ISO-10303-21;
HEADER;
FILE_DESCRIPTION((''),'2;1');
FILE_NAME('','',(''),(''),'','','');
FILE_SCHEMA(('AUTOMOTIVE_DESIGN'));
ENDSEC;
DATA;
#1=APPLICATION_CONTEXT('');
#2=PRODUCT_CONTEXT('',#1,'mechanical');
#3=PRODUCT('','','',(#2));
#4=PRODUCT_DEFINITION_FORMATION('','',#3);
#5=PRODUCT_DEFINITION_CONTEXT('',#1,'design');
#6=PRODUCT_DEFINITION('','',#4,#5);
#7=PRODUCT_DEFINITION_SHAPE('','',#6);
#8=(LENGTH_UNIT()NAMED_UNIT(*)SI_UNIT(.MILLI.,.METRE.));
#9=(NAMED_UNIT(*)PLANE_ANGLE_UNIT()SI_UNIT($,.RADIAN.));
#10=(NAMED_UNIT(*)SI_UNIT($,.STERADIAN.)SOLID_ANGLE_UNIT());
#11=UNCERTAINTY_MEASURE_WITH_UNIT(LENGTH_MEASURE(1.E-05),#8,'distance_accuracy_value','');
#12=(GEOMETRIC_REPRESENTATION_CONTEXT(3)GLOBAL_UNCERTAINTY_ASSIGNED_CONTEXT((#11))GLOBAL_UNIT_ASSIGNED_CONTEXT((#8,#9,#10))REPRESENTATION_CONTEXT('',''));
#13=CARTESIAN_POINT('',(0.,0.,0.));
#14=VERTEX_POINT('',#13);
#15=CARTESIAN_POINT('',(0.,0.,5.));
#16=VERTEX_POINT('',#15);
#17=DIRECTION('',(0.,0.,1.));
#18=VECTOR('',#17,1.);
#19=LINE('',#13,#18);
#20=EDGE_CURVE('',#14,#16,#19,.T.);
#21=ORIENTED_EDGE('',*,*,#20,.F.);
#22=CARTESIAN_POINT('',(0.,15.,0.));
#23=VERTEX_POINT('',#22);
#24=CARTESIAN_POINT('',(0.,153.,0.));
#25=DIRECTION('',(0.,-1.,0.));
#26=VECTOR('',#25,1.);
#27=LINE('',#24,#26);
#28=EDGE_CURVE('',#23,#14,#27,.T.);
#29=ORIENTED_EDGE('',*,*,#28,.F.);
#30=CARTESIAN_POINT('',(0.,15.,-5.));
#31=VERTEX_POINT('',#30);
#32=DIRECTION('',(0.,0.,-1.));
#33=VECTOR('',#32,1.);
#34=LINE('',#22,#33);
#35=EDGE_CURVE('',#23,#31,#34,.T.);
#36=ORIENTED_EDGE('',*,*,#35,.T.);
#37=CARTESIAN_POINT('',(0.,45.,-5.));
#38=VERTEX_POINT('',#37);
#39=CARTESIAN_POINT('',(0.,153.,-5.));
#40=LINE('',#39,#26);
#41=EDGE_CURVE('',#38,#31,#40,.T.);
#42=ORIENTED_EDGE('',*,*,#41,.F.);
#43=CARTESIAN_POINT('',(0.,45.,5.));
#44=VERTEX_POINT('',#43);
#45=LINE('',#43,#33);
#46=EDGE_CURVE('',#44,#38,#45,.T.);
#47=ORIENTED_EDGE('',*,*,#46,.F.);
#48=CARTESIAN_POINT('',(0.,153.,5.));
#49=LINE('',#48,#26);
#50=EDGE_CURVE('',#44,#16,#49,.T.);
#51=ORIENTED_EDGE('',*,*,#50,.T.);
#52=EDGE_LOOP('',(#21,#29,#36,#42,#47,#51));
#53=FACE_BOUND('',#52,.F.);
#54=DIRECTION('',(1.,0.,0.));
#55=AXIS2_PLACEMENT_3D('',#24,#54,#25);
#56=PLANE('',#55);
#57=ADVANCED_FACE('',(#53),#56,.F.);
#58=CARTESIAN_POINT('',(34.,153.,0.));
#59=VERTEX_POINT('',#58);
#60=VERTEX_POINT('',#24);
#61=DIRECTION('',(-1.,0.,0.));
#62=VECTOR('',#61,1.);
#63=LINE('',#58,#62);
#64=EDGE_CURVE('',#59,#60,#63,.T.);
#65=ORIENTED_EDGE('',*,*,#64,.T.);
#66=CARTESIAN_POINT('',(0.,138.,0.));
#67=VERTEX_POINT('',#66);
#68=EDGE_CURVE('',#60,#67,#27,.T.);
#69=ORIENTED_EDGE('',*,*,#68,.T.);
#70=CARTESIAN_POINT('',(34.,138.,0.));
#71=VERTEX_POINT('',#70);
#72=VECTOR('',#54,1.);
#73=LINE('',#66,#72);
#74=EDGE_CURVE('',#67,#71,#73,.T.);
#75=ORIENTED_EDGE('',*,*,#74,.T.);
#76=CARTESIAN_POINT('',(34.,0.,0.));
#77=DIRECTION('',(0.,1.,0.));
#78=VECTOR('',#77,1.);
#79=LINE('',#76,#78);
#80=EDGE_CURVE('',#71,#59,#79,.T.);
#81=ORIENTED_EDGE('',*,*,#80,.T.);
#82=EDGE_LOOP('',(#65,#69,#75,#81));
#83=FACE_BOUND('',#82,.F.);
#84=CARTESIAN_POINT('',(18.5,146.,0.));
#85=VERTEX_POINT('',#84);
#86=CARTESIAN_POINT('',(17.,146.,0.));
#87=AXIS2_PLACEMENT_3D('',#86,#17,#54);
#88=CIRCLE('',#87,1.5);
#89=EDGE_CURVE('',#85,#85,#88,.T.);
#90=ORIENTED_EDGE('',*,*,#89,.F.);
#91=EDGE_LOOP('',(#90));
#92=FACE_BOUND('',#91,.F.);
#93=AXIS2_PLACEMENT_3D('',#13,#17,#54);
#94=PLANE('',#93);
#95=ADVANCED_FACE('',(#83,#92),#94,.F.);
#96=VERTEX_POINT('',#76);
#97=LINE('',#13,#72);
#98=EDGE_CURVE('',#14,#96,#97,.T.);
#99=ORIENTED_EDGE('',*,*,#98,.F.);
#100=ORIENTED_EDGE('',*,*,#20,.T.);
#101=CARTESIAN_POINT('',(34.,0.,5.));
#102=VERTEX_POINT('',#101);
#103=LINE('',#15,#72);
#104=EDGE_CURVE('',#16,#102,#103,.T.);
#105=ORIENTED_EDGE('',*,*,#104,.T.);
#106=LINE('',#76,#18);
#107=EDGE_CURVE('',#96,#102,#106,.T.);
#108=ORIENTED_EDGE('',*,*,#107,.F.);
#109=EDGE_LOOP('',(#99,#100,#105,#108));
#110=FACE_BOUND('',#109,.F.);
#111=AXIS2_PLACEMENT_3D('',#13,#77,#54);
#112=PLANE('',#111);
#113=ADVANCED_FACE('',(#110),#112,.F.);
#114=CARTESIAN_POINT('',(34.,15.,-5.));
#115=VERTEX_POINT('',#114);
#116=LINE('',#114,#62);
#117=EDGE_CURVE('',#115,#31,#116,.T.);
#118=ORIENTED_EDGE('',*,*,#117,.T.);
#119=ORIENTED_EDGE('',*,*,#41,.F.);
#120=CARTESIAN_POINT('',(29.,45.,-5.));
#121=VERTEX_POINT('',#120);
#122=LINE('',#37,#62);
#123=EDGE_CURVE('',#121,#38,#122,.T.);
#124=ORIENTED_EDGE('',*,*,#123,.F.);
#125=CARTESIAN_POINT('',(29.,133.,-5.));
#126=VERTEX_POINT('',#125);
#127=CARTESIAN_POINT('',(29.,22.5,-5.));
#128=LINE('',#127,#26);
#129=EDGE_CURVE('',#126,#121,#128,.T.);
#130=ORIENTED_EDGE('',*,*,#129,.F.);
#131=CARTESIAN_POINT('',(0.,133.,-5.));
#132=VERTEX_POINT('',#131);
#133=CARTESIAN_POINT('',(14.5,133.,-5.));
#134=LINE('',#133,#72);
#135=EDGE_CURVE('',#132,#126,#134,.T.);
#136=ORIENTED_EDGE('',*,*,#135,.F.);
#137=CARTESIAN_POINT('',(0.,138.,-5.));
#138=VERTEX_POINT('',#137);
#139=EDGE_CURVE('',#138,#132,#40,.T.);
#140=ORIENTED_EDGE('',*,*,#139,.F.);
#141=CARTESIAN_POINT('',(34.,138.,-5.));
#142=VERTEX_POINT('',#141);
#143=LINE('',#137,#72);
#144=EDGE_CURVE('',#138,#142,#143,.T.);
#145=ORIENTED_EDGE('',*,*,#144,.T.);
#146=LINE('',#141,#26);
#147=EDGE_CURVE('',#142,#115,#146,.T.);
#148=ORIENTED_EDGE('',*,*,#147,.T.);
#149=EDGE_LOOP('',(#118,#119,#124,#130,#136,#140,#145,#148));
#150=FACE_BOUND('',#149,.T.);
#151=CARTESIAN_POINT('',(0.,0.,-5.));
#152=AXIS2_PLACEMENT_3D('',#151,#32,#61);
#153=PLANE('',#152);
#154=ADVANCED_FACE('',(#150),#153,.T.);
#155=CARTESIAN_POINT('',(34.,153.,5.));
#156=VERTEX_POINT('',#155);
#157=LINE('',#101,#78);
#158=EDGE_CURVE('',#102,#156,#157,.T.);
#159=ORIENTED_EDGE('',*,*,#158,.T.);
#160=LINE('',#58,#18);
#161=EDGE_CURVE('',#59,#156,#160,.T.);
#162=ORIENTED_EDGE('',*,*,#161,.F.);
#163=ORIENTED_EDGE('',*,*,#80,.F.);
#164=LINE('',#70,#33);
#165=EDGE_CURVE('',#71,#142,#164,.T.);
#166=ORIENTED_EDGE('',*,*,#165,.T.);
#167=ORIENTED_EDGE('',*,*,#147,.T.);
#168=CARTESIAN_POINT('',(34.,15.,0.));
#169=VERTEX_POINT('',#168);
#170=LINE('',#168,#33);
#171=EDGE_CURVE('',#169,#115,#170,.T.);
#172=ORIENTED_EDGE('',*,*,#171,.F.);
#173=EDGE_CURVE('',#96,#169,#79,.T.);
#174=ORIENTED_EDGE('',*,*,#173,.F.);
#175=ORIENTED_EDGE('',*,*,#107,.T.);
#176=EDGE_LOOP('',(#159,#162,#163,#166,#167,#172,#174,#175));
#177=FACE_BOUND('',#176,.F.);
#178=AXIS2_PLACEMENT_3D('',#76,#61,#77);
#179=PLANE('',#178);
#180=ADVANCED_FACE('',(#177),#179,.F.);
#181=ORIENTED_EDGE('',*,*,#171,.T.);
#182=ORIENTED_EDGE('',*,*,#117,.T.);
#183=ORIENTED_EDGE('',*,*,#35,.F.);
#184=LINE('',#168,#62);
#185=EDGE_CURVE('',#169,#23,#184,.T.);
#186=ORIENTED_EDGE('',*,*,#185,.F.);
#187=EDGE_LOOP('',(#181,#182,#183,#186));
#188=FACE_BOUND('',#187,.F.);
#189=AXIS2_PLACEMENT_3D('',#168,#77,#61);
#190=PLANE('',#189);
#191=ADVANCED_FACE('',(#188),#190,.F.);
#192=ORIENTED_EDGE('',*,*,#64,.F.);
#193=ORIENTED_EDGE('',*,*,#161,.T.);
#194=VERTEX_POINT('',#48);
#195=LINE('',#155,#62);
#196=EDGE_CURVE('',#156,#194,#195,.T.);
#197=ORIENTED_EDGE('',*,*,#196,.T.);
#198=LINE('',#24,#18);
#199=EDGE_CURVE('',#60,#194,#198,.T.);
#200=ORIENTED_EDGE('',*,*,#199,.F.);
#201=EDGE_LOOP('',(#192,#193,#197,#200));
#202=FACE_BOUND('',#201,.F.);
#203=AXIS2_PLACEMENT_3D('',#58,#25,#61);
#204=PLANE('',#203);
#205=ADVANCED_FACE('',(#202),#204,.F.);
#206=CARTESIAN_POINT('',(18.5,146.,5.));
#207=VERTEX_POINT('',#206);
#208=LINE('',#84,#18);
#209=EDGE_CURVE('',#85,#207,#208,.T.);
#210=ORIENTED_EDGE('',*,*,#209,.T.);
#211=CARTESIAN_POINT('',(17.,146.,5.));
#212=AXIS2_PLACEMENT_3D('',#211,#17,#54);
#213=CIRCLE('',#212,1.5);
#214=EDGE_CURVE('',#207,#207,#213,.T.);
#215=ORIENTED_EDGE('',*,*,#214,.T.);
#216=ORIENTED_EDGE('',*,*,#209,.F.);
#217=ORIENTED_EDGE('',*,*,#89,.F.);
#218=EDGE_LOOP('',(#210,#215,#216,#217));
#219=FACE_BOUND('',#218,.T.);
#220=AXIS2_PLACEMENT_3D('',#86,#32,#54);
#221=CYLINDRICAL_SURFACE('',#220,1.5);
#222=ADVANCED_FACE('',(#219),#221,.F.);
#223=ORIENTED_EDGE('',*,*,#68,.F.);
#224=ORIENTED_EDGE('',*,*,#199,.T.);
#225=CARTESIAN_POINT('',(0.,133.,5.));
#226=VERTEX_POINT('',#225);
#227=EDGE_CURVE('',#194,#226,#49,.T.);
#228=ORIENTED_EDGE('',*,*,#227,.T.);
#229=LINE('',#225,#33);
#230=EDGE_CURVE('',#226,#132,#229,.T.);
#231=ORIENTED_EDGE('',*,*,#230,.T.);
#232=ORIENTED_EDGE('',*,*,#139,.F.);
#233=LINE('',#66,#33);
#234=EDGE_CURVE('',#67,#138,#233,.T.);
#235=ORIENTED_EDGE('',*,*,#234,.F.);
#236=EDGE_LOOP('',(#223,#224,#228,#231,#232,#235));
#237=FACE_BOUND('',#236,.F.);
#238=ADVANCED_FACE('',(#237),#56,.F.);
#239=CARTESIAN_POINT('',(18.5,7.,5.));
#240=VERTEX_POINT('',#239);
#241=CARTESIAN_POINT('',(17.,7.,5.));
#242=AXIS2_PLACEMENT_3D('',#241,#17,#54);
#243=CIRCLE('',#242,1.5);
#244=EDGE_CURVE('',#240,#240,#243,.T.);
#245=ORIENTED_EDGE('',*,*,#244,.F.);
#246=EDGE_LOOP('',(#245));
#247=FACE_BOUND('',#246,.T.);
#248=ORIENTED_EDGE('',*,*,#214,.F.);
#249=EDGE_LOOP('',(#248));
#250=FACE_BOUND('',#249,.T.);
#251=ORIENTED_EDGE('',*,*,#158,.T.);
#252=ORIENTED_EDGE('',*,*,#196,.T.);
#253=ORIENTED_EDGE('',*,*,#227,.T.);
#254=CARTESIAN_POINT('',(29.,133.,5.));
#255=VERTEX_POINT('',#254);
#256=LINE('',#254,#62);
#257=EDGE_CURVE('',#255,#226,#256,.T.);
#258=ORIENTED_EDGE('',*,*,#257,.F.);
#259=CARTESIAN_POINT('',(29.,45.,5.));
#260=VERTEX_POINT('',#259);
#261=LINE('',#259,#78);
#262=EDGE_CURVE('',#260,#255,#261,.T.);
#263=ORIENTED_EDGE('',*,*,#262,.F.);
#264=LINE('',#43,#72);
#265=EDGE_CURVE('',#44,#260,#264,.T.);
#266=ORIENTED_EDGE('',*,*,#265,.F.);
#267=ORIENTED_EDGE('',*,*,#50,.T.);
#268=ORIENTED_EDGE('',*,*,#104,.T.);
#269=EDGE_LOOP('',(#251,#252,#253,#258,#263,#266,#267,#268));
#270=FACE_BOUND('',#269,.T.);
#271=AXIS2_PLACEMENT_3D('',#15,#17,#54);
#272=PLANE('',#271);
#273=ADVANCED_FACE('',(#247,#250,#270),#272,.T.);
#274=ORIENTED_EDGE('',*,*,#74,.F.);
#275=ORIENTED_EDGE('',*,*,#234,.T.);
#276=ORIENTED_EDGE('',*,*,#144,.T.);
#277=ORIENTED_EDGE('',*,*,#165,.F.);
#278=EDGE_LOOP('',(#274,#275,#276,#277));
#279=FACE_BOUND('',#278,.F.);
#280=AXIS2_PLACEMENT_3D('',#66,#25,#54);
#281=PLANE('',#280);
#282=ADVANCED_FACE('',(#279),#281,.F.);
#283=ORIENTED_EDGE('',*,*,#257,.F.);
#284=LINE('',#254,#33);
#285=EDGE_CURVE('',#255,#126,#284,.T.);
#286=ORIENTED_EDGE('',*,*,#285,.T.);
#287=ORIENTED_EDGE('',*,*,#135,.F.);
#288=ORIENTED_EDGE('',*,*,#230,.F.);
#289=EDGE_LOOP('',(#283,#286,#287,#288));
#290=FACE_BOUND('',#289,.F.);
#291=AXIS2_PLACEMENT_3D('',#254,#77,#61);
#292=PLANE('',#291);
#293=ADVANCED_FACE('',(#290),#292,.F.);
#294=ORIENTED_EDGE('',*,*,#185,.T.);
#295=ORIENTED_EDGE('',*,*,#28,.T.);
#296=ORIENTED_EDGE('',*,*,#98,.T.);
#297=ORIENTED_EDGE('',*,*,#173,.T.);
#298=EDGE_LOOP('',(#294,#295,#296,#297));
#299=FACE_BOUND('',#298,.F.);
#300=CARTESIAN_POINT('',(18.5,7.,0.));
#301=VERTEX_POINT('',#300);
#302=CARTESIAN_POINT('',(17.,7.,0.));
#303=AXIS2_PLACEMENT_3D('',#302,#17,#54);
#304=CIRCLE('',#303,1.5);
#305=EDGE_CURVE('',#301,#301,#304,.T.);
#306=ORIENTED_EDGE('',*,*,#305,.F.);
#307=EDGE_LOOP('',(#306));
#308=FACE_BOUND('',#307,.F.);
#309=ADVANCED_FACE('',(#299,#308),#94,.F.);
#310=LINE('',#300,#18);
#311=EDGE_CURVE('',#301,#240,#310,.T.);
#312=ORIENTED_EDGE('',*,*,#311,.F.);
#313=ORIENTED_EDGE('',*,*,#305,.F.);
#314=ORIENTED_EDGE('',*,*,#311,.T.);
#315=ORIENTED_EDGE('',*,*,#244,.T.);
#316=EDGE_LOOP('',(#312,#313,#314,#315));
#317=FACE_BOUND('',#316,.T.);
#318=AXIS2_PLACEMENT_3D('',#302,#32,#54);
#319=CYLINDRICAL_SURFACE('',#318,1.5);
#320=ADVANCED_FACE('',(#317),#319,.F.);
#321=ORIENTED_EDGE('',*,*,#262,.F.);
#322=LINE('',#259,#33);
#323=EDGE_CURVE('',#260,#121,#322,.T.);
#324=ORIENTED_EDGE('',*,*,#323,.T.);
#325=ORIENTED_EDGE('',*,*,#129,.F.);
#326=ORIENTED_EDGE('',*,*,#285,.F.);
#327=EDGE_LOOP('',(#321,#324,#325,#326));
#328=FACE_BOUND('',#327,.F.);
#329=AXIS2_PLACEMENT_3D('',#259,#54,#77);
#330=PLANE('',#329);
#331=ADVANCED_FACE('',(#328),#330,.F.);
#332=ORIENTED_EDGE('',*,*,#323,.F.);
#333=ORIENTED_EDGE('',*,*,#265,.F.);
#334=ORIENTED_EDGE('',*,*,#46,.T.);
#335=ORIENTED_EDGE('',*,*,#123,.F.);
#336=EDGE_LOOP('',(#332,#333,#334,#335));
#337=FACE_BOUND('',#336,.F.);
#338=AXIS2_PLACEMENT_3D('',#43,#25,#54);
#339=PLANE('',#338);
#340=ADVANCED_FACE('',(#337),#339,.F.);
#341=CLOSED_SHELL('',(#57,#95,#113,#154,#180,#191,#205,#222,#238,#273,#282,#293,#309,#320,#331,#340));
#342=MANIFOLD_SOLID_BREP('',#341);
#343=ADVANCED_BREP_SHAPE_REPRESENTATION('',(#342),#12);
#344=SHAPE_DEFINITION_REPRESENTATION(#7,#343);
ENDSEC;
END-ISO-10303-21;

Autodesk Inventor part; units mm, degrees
ref_plane "YZ Plane" through (0, 0, 0) normal (1, 0, 0) x (0, 1, 0)
ref_plane "XZ Plane" through (0, 0, 0) normal (0, 1, 0) x (-1, 0, 0)
ref_plane "XY Plane" through (0, 0, 0) normal (0, 0, 1) x (1, 0, 0)
sketch "Sketch1" plane through (0, 0, 0) normal (0, 0, 1) x (1, 0, 0)
  line L0 (0, 0) -> (34, 0)
  line L1 (34, 0) -> (34, 153)
  line L2 (34, 153) -> (0, 153)
  line L3 (0, 153) -> (0, 0)
  circle A0 centre (17, 7) radius 1.5
  circle A1 centre (17, 146) radius 1.5
  point P0 (17, 153)
  point P1 (17, 0)
  dimension "d0" = 34
  dimension "d1" = 153
  dimension "d2" = 3
  dimension "d4" = 7
  dimension "d5" = 3
  dimension "d6" = 7
extrude "Extrusion1" add sketch "Sketch1" along normal blind 5
sketch "Sketch2" plane through (0, 0, 0) normal (0, 0, -1) x (-1, 0, 0)
  line L0 (0, 153) -> (0, 0) projected
  line L1 (0, 138) -> (-34, 138)
  line L2 (-34, 138) -> (-34, 15)
  line L3 (-34, 15) -> (0, 15)
  line L4 (0, 15) -> (0, 138)
  line L5 (-34, 0) -> (-34, 153) projected
  point P0 (0, 76.5)
  dimension "d10" = 123
extrude "Extrusion2" add sketch "Sketch2" along normal blind 5
sketch "Sketch7" plane through (0, 0, 5) normal (0, 0, 1) x (1, 0, 0)
  line L0 (29, 133) -> (0, 133)
  line L1 (0, 133) -> (0, 45)
  line L2 (0, 45) -> (29, 45)
  line L3 (29, 45) -> (29, 133)
  line L4 (34, 0) -> (34, 153) projected
  line L5 (34, 153) -> (0, 153) projected
  line L6 (0, 15) -> (34, 15) projected
  line L7 (34, 138) -> (0, 138) projected
  line L8 (0, 153) -> (0, 0) projected
  point P0 (29, 89)
  point P1 (17, 153)
  dimension "d33" = 30
  dimension "d34" = 5
  dimension "d35" = 5
extrude "Extrusion5" cut sketch "Sketch7" against normal through all contours L3 L2 L1 L0
properties part number "BP005" material "ABS Plastic"
